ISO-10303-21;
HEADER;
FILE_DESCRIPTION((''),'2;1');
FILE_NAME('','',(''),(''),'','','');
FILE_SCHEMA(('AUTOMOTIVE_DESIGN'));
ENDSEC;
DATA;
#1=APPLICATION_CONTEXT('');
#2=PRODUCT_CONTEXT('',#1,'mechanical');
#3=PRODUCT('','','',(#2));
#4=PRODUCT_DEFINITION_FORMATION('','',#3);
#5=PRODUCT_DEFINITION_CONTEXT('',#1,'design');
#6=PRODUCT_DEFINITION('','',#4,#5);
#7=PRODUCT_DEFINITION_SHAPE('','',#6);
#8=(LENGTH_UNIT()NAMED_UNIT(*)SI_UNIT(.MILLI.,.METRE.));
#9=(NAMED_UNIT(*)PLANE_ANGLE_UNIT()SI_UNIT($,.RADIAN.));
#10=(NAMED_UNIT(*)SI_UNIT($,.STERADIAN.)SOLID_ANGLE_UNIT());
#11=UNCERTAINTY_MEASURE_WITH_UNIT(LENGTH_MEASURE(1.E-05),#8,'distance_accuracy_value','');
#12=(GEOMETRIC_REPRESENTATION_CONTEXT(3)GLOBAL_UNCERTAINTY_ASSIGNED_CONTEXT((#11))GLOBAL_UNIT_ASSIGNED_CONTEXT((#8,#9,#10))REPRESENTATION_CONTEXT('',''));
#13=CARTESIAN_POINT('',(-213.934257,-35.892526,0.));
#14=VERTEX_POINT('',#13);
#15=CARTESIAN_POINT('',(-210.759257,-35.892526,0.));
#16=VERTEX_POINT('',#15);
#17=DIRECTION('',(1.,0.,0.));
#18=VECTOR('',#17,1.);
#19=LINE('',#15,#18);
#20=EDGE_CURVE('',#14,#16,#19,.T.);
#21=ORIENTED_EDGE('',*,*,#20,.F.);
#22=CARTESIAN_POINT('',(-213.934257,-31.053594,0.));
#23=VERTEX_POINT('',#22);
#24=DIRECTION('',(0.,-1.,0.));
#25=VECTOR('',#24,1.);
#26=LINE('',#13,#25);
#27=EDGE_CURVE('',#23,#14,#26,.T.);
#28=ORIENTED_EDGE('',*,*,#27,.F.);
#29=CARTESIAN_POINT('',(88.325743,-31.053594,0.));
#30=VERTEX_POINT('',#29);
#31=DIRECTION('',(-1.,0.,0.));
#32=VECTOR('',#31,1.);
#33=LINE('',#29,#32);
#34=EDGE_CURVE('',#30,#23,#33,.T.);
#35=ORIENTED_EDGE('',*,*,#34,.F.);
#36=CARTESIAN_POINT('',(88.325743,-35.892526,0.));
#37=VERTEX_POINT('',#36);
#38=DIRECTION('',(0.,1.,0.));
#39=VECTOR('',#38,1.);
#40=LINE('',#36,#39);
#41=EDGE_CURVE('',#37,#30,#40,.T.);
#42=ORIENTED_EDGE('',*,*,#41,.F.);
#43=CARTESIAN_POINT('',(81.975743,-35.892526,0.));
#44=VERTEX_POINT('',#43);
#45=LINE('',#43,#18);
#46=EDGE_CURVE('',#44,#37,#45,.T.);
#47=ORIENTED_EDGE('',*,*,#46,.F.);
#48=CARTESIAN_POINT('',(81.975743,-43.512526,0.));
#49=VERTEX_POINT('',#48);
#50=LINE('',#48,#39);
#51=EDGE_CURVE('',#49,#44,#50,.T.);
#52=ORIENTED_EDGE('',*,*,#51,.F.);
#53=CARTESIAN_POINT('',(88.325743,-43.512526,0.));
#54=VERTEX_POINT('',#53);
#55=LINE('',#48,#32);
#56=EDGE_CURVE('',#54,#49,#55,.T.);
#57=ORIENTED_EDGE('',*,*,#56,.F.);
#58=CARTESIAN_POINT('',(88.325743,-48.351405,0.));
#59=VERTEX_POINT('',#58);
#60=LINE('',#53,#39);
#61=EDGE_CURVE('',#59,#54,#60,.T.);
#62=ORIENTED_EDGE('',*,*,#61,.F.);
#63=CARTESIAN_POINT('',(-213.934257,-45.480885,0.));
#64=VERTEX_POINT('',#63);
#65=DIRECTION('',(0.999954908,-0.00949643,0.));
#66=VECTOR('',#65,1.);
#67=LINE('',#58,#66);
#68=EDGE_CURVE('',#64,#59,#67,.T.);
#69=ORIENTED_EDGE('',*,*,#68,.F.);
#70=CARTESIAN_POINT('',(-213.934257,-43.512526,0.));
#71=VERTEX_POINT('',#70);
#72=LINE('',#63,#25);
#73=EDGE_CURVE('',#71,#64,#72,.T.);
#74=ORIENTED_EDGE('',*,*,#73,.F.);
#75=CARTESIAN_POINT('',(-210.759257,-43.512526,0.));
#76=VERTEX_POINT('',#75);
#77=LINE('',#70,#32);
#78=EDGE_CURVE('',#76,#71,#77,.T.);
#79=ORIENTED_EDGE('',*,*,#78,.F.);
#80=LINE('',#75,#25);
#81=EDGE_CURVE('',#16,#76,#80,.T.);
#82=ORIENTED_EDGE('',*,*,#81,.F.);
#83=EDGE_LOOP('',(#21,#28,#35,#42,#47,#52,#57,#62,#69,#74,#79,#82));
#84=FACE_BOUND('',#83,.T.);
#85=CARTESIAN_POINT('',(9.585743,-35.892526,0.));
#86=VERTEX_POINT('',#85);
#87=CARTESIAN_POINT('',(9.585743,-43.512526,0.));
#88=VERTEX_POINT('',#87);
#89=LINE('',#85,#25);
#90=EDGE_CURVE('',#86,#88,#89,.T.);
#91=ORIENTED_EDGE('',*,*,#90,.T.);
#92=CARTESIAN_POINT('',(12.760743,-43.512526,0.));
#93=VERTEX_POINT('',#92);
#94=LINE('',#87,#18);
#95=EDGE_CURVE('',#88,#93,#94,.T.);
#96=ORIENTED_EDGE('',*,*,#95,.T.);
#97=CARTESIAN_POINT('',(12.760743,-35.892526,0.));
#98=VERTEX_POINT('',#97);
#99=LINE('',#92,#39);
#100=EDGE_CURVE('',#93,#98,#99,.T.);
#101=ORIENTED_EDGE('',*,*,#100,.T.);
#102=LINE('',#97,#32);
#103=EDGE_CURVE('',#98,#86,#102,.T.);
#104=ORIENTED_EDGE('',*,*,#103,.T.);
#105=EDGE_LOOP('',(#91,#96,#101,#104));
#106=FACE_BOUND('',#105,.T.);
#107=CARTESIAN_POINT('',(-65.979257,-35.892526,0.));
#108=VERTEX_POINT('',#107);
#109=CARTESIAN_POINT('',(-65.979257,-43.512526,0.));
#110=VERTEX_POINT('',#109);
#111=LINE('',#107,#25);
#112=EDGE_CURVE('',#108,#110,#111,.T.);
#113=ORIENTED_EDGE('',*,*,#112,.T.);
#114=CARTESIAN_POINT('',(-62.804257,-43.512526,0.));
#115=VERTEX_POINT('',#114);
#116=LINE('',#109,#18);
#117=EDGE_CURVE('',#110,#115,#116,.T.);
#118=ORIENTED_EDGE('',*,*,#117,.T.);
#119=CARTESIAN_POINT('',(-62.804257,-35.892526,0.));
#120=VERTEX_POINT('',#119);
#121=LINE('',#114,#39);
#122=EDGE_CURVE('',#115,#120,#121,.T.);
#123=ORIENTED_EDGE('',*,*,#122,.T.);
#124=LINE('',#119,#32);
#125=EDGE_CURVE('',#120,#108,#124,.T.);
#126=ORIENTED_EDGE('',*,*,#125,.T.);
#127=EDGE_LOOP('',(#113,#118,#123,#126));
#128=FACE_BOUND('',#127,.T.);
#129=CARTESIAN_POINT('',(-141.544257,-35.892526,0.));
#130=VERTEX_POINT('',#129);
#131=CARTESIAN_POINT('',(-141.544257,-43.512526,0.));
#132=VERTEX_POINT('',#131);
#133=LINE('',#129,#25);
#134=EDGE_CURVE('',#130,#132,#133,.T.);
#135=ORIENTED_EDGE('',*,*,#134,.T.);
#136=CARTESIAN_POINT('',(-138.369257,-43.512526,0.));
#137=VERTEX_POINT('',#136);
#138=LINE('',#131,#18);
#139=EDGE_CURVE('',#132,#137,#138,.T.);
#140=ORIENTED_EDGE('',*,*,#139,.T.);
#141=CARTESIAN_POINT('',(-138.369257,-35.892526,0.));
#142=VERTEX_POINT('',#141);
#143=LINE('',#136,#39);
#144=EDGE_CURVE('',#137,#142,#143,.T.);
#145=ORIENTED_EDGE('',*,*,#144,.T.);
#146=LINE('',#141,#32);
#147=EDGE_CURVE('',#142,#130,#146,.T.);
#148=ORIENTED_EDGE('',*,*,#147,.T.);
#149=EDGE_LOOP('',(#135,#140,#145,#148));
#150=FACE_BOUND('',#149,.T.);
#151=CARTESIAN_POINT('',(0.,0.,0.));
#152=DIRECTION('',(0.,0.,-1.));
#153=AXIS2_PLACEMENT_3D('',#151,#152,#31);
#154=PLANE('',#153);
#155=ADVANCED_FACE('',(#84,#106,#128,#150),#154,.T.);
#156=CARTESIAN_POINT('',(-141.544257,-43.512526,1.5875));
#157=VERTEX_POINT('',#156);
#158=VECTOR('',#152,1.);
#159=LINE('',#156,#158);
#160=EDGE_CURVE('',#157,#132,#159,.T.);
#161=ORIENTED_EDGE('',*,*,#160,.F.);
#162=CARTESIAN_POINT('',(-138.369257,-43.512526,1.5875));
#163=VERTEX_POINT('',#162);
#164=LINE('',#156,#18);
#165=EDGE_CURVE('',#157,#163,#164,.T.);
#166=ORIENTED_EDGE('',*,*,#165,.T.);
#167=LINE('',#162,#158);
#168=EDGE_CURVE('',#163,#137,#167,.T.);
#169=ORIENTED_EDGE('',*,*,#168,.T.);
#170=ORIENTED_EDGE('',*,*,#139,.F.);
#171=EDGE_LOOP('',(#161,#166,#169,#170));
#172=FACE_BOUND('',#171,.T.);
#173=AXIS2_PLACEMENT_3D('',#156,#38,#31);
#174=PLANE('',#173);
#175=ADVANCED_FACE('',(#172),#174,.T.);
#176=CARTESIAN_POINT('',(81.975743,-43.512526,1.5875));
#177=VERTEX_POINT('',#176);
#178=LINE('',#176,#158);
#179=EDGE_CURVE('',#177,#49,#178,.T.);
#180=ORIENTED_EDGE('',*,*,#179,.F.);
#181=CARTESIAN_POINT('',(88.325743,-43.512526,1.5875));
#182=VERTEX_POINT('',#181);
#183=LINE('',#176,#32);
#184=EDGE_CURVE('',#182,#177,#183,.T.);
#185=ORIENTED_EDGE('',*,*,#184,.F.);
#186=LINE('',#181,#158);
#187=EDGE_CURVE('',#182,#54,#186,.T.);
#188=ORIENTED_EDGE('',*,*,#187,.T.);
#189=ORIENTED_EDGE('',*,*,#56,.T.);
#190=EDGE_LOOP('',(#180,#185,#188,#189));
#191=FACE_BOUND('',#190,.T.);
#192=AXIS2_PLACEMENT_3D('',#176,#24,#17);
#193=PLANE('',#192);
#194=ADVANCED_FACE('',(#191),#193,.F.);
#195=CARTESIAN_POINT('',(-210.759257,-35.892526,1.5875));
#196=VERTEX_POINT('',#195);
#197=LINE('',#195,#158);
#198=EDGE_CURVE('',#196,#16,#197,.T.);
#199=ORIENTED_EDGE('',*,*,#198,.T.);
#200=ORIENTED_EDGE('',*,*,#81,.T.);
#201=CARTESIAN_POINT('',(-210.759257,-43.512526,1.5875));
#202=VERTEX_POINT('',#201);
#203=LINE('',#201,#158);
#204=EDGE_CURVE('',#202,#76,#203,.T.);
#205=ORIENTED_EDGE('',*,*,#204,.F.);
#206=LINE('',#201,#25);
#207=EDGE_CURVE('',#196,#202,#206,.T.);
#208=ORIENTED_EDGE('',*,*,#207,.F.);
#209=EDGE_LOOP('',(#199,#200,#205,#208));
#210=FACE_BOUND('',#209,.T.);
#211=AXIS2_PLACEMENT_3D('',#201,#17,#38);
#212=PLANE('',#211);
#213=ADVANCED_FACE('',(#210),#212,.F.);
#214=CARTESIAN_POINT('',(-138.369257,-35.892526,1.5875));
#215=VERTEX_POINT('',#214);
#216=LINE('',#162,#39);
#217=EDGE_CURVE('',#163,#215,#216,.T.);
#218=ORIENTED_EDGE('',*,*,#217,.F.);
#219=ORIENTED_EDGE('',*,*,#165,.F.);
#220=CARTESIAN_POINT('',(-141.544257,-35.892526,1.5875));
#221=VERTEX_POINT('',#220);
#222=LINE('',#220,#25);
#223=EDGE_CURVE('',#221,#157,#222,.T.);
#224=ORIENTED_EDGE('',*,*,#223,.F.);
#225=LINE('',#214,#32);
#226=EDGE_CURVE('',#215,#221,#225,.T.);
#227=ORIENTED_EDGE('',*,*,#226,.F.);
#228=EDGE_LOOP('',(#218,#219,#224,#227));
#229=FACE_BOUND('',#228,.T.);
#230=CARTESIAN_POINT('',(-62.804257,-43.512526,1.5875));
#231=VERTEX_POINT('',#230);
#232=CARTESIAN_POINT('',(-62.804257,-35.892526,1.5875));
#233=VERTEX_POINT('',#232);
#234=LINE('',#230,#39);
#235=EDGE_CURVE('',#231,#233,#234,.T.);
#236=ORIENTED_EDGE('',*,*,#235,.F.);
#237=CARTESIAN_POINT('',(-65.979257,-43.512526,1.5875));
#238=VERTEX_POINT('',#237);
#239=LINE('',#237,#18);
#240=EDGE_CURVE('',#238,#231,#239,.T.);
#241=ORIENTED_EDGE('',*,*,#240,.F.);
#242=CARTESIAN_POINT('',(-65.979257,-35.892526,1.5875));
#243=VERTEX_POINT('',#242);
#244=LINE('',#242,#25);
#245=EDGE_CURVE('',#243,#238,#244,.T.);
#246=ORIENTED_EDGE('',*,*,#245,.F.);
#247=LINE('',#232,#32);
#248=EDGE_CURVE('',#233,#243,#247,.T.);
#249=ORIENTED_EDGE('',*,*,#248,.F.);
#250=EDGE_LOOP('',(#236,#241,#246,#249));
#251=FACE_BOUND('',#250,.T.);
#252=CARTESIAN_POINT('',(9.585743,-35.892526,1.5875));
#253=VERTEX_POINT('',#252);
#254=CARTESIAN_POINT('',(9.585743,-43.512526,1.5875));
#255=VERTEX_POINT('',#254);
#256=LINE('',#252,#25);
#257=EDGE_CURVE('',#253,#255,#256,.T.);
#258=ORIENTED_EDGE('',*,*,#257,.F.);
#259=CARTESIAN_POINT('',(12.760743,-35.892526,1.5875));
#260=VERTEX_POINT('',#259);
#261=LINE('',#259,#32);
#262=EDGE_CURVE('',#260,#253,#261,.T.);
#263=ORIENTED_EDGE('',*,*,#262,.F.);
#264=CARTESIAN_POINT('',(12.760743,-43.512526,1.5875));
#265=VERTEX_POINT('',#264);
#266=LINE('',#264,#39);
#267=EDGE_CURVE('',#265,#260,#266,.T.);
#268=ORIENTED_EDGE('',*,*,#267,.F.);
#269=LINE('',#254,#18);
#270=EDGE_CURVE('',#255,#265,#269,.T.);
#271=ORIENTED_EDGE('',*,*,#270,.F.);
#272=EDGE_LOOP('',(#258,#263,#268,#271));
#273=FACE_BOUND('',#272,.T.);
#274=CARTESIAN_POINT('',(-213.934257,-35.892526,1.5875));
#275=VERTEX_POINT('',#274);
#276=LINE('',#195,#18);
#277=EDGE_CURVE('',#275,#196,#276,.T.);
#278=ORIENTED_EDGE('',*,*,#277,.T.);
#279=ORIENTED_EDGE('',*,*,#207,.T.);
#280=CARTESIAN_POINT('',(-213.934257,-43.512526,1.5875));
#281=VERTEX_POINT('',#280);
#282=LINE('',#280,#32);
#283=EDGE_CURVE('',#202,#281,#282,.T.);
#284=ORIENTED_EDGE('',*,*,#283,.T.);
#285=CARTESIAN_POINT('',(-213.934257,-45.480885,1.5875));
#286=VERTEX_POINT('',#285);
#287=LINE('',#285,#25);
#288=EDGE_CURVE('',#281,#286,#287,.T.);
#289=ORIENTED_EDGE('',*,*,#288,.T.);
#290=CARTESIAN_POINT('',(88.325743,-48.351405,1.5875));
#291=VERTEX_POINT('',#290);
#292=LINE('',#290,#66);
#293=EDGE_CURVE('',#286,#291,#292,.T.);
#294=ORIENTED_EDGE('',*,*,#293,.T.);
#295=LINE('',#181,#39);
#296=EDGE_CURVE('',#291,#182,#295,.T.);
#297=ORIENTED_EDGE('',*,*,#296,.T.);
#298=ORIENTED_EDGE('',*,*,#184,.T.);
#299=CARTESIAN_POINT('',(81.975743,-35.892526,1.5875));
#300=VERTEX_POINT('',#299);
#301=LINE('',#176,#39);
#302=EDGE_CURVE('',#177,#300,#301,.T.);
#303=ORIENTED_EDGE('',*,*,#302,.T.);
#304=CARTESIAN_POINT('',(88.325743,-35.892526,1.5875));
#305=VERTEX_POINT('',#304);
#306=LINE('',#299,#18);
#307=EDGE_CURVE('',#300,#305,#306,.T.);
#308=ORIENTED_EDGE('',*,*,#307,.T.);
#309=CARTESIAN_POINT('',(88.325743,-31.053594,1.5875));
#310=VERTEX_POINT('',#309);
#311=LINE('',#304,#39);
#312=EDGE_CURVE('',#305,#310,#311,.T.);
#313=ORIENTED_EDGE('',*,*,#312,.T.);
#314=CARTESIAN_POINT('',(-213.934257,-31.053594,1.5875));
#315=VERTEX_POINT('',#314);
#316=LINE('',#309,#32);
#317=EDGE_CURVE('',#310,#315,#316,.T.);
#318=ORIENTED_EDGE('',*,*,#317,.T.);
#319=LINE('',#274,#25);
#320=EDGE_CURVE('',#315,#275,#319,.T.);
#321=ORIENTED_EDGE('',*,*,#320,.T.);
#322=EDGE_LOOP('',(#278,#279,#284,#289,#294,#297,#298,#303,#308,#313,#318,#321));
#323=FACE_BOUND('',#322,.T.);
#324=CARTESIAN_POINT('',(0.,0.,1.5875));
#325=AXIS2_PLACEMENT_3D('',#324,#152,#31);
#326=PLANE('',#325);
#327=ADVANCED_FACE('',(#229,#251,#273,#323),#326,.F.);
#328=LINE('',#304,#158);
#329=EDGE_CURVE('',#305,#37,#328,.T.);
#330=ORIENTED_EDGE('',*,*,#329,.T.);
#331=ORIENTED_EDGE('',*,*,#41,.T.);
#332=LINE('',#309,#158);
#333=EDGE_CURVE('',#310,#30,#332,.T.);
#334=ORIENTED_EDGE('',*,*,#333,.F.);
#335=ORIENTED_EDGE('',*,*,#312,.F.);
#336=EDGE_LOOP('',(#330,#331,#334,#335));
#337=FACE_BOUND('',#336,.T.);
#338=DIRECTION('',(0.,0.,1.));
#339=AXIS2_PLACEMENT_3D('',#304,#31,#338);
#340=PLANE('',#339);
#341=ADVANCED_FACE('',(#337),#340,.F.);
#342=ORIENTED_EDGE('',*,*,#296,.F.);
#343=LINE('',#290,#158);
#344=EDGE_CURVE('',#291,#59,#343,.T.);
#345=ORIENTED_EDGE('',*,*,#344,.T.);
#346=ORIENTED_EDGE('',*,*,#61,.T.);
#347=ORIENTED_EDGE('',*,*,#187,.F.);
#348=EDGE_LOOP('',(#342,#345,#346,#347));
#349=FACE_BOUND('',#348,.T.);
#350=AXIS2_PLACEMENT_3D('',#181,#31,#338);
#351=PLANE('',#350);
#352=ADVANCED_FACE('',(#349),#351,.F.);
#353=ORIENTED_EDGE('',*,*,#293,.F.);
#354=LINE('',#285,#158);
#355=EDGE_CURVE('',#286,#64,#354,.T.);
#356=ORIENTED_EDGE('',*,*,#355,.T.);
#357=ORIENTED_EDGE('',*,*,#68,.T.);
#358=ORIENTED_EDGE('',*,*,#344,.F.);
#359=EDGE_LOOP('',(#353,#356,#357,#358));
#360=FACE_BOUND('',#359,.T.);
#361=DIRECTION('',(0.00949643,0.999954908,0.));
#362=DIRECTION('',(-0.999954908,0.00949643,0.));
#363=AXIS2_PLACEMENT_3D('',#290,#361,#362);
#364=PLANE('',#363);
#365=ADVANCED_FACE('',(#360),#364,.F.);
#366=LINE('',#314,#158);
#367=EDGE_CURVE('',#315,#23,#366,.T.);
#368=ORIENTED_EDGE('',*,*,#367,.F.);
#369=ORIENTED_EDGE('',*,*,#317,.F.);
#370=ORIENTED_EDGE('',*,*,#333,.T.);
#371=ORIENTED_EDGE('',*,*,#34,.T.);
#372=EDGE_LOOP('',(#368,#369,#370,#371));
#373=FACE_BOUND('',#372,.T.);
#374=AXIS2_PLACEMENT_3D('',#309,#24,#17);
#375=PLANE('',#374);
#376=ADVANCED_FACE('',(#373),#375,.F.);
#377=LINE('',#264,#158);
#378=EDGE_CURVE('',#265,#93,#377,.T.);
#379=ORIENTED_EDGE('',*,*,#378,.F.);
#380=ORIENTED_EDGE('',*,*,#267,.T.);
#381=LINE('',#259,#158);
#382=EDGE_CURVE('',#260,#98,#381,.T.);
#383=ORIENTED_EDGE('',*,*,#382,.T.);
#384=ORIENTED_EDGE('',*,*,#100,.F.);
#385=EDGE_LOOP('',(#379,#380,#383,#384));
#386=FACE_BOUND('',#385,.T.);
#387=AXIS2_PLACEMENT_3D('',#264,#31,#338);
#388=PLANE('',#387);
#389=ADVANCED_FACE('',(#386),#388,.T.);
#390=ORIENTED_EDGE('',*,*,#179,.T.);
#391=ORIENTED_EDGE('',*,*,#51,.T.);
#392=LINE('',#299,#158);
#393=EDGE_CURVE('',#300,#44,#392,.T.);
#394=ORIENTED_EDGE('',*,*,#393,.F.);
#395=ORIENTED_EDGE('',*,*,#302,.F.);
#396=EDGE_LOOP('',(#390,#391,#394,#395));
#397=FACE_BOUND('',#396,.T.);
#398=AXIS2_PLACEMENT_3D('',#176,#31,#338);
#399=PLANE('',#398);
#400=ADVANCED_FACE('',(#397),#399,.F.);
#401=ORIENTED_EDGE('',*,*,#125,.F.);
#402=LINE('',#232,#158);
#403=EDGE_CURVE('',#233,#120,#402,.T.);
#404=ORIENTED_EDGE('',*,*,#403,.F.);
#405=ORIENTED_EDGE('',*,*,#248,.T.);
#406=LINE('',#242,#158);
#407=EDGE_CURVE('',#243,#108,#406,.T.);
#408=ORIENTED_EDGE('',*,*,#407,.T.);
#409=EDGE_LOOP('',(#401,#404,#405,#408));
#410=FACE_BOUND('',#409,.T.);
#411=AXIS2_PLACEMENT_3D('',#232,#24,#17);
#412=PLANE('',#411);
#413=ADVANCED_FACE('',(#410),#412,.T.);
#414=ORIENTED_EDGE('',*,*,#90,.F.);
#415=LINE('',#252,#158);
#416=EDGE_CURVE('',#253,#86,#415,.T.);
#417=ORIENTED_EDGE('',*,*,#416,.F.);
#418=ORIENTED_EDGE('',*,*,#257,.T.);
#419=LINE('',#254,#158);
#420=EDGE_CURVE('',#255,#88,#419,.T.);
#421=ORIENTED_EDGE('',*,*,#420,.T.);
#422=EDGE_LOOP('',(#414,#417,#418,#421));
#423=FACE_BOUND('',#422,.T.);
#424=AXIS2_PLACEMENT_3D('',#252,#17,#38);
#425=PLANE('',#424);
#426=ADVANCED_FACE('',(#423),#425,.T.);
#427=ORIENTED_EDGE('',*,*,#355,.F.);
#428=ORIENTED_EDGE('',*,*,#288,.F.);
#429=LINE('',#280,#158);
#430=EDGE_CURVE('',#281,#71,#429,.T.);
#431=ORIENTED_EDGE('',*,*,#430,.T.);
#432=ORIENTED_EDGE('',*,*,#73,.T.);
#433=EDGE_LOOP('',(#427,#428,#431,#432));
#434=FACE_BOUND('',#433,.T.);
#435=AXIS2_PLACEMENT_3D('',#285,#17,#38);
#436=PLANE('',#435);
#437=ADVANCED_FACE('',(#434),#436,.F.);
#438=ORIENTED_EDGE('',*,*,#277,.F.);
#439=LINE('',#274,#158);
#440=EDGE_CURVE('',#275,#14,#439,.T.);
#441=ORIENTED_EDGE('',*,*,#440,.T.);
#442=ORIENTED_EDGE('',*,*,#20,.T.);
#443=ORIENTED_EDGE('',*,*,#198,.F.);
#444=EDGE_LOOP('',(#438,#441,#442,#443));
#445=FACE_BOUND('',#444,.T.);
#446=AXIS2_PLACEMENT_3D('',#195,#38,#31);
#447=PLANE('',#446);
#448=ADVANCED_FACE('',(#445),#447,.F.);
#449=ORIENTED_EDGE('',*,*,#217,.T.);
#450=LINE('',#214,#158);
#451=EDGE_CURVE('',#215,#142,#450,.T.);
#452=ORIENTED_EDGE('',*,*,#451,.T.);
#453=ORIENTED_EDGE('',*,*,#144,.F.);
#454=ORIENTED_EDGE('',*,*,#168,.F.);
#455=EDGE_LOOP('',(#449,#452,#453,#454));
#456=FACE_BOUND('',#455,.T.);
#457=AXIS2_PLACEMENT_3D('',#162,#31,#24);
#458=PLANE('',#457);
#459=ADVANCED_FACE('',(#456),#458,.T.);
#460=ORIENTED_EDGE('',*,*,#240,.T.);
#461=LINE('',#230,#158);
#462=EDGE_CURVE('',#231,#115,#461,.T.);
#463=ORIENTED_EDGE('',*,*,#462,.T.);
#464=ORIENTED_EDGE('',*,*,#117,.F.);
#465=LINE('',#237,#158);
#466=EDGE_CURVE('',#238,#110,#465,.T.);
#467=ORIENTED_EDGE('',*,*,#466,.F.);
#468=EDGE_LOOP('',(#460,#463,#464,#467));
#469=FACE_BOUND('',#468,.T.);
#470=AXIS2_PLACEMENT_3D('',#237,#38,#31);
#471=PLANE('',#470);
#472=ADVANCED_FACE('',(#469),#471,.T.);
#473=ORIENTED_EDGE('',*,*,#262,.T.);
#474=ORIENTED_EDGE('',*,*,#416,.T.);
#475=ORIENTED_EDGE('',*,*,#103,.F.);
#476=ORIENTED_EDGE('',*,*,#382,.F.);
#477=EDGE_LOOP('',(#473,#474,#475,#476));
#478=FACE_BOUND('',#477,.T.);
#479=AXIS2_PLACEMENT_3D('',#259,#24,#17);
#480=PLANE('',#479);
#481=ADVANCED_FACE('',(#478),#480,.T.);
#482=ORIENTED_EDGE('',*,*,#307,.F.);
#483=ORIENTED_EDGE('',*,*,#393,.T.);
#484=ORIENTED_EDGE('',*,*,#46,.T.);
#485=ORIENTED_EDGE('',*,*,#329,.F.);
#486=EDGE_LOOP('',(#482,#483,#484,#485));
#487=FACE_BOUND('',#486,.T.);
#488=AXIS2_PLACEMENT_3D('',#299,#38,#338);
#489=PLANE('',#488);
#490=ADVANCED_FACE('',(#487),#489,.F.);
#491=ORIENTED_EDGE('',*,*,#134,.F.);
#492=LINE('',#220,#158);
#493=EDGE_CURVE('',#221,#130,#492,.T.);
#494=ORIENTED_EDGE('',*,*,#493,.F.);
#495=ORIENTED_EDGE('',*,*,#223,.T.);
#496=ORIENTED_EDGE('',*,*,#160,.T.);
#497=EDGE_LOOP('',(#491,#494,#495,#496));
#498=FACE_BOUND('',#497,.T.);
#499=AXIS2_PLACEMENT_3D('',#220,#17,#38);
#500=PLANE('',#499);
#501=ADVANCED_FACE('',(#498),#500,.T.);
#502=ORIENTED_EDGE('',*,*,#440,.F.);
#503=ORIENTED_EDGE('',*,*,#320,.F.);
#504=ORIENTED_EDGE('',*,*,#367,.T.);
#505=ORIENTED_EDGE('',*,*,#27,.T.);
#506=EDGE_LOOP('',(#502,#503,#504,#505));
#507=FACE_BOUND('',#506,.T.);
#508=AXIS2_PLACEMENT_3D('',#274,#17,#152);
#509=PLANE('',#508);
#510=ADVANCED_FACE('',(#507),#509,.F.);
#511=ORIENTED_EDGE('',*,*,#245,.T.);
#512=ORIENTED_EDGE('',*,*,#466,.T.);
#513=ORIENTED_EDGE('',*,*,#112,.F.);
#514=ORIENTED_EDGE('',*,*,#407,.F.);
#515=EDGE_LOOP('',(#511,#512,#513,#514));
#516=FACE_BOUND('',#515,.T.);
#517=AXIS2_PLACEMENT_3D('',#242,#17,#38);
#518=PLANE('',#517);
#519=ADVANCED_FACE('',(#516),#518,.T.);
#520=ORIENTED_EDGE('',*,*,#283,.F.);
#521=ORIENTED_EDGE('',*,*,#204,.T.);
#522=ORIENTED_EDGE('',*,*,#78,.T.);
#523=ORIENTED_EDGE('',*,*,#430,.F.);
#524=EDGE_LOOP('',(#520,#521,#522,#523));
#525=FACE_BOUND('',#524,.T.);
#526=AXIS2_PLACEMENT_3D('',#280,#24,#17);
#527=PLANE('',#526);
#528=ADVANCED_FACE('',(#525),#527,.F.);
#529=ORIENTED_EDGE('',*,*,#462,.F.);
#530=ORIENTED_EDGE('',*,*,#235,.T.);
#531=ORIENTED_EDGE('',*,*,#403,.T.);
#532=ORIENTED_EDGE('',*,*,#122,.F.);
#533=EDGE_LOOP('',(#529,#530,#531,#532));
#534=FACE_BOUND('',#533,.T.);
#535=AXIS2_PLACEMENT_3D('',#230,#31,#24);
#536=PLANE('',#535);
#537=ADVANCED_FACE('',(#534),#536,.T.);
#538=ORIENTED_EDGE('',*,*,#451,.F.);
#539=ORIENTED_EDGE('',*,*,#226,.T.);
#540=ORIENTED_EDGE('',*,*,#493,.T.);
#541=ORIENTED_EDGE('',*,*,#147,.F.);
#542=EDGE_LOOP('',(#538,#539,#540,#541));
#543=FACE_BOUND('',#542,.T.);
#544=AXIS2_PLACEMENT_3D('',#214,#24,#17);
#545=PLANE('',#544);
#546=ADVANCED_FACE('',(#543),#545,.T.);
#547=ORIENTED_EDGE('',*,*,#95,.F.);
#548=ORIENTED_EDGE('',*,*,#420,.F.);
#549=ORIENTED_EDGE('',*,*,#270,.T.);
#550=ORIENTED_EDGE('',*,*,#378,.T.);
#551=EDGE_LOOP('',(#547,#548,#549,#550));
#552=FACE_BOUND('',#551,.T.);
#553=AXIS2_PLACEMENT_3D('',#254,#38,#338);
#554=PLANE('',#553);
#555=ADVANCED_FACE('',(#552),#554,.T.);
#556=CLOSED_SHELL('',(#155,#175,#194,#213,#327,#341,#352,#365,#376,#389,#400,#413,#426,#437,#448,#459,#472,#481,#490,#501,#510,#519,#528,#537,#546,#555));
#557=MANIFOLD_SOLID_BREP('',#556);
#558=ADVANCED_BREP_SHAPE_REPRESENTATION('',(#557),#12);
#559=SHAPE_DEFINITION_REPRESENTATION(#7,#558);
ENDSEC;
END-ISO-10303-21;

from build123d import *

# Parameters (mm, degrees)
SKETCH1_W           = 3.175
SKETCH1_H           = 7.62
BOSS_EXTRUDE1_DEPTH = 1.5875


with BuildPart() as part:
    # Sketch1 → Boss-Extrude1 (new body)
    with BuildSketch(Plane.XY):
        Polygon((88.325743431, -43.512525906), (88.325743431, -48.351404921), (-213.934256569, -45.480884503), (-213.934256569, -43.512525906), (-210.759256569, -43.512525906), (-210.759256569, -35.892525906), (-213.934256569, -35.892525906), (-213.934256569, -31.053594044), (88.325743431, -31.053594044), (88.325743431, -35.892525906), (81.975743431, -35.892525906), (81.975743431, -43.512525906), align=None)
        with Locations((11.173243431, -39.702525906)):
            Rectangle(SKETCH1_W, SKETCH1_H, mode=Mode.SUBTRACT)
        with Locations((-64.391756569, -39.702525906)):
            Rectangle(SKETCH1_W, SKETCH1_H, mode=Mode.SUBTRACT)
        with Locations((-139.956756569, -39.702525906)):
            Rectangle(SKETCH1_W, SKETCH1_H, mode=Mode.SUBTRACT)
    extrude(amount=BOSS_EXTRUDE1_DEPTH)


solid = part.part
